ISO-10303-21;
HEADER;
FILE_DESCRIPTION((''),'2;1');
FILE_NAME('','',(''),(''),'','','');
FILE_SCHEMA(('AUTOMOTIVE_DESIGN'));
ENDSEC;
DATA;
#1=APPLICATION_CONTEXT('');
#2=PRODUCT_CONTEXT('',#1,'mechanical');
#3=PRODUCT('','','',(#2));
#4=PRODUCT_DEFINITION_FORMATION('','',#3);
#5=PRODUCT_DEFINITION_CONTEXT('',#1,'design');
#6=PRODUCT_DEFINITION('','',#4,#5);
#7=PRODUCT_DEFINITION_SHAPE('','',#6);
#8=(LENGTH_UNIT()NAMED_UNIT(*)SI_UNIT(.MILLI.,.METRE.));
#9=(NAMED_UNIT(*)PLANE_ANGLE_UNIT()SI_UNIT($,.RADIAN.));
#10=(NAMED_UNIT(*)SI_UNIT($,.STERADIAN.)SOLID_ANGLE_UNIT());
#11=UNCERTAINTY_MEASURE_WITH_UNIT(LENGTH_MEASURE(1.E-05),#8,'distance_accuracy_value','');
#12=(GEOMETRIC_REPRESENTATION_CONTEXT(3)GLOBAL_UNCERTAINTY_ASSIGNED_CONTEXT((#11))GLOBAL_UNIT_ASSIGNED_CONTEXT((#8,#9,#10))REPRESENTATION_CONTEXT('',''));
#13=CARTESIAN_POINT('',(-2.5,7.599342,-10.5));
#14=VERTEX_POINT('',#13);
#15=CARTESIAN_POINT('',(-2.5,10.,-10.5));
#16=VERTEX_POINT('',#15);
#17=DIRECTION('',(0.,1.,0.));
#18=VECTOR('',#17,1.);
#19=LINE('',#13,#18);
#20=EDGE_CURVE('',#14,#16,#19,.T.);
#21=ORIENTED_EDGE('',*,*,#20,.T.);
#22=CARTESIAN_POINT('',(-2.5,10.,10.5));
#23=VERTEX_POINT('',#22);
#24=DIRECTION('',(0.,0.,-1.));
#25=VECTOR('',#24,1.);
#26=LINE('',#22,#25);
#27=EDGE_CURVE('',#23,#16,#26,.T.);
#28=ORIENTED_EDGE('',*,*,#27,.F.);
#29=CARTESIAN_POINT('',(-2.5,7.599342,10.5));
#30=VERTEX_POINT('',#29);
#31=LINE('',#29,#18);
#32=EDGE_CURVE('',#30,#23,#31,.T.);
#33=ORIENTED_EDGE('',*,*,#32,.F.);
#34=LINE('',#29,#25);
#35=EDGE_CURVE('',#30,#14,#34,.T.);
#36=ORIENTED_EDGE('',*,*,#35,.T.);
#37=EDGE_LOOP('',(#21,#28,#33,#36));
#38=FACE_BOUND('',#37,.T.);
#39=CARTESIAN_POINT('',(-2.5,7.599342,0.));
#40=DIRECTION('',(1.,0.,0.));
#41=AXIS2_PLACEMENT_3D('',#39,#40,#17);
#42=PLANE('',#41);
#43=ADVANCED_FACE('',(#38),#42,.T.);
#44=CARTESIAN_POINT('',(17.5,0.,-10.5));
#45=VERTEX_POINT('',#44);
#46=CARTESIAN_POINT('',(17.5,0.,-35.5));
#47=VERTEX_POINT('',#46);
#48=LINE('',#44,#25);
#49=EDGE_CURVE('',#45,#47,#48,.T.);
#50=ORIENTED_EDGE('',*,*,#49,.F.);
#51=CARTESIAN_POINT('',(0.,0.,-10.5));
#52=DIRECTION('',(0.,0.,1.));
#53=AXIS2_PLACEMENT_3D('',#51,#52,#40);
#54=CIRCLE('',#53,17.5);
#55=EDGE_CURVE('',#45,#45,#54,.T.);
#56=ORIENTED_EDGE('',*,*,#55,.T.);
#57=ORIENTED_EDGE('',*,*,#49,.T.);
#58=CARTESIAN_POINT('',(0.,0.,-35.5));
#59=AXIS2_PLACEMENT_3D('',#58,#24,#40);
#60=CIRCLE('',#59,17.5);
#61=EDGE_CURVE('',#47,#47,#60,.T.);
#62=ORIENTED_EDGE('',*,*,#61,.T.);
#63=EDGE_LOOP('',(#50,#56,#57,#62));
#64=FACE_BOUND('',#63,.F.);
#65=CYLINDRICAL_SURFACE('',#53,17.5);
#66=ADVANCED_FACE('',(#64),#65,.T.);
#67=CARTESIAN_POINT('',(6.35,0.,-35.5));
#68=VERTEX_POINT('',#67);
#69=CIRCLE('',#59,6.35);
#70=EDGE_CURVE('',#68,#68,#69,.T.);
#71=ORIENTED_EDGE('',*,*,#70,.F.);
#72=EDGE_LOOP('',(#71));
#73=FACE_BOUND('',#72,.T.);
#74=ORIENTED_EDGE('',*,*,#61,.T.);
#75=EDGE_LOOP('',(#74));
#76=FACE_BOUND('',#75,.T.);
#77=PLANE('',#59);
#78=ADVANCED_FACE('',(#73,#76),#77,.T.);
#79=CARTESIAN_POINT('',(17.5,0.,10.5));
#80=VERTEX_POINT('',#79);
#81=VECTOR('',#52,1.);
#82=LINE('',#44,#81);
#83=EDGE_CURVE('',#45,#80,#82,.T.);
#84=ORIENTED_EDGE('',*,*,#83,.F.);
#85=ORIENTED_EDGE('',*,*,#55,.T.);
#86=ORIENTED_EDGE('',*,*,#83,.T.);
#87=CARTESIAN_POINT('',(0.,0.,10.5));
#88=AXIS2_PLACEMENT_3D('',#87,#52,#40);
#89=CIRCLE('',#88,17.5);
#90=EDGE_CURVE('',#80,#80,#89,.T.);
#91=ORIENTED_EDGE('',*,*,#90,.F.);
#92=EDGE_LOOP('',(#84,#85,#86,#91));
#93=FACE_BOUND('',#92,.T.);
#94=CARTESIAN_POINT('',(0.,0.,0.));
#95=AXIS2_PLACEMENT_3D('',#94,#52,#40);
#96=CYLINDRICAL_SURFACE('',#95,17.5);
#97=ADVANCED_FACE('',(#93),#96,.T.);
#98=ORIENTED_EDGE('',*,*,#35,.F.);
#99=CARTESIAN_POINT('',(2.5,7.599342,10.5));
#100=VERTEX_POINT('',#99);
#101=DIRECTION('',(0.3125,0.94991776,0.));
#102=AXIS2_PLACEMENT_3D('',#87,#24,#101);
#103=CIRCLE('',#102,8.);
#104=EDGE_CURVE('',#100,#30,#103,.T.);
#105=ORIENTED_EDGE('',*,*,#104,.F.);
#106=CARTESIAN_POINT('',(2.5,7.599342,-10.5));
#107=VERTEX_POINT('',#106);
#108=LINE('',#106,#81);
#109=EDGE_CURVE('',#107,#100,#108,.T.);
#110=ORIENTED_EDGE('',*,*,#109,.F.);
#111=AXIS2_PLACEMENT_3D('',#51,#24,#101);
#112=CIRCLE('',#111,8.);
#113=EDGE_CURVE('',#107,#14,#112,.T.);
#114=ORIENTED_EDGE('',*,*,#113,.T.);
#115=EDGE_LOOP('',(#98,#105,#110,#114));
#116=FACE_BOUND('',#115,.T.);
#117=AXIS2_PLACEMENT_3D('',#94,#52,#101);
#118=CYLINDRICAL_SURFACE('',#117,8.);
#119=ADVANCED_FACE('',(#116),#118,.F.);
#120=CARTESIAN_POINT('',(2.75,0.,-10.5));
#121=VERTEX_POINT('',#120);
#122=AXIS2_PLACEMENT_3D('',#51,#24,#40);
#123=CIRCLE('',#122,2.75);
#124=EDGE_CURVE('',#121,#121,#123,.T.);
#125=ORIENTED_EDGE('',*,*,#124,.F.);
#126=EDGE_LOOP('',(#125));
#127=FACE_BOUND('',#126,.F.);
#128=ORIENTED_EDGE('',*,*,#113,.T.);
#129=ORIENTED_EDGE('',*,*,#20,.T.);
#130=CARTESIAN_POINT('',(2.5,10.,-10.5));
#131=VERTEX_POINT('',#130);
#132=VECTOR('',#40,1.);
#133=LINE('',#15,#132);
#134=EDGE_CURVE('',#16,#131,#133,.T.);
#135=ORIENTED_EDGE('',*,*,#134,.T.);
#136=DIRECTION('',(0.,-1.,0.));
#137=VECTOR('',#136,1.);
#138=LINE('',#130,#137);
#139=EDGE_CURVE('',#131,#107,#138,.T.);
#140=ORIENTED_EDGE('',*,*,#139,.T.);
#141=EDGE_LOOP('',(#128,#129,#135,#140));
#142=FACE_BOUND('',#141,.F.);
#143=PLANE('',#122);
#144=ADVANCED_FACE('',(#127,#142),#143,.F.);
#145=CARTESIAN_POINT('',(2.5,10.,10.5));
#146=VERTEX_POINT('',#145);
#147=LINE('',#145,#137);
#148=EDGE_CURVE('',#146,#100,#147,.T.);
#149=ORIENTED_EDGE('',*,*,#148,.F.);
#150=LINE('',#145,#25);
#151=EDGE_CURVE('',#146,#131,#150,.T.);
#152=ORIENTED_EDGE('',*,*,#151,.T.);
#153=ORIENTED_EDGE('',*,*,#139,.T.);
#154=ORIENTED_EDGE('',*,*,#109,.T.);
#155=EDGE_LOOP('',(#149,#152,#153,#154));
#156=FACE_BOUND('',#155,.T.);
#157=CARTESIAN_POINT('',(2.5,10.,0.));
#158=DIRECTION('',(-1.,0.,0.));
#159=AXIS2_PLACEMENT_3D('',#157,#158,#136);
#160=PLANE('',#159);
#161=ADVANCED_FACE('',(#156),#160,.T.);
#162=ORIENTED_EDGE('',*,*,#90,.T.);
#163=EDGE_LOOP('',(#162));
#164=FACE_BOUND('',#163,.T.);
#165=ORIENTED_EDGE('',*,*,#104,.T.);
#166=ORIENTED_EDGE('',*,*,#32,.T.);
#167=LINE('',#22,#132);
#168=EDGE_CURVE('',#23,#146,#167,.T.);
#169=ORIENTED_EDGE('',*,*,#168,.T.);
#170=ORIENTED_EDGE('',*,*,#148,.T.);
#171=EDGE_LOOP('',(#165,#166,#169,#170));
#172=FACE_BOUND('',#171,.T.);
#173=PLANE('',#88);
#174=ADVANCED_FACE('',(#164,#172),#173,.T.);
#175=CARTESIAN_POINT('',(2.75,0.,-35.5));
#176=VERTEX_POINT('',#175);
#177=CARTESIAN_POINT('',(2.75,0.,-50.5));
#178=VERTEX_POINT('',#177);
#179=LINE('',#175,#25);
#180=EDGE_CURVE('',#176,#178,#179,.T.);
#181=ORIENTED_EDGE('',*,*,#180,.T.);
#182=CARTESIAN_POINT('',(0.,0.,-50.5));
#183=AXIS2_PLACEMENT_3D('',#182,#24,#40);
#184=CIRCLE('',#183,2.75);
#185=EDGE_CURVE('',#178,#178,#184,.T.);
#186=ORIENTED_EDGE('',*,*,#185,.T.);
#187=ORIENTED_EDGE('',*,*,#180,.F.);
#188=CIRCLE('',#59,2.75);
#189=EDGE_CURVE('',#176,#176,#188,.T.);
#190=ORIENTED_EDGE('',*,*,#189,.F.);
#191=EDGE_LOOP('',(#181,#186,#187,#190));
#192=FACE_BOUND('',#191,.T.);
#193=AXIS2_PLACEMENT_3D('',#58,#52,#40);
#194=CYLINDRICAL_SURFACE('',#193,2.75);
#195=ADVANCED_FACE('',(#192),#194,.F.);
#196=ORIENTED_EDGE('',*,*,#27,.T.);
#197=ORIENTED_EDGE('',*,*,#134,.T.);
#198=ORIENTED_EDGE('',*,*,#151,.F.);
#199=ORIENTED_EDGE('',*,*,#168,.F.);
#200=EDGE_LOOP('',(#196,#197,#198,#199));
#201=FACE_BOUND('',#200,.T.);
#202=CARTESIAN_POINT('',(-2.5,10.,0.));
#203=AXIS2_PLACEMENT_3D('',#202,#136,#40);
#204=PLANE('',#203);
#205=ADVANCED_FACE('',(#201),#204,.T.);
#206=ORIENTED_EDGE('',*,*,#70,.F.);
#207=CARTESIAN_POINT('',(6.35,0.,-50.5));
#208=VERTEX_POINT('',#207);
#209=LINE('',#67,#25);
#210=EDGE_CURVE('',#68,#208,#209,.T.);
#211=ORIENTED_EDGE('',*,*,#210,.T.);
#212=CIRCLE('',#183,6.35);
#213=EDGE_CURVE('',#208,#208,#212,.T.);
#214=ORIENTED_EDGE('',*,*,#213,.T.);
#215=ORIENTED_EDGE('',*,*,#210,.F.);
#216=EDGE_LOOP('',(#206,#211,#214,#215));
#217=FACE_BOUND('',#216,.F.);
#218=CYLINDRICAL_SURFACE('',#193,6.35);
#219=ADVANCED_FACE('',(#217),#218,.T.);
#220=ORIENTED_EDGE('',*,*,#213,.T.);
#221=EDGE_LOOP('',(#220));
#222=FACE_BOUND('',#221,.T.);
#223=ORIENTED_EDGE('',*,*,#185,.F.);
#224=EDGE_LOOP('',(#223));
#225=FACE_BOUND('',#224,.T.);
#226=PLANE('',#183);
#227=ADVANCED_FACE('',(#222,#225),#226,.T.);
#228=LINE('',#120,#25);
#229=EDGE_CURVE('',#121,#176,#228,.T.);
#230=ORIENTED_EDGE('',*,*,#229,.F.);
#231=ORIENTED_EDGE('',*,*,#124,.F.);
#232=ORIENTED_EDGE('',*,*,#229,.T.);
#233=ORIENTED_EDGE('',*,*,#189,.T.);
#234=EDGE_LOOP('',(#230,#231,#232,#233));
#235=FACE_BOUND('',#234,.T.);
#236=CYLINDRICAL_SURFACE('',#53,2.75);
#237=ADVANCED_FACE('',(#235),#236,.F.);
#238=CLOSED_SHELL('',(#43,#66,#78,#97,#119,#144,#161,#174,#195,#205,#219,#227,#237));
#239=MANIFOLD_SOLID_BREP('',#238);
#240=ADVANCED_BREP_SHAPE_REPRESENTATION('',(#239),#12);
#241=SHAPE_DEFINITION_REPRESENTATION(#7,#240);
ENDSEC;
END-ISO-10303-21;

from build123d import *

# Parameters (mm, degrees)
F0_R     = 17.5
F1_DEPTH = 10.5
F2_R     = 17.5
F2_R_2   = 2.75
F3_DEPTH = 25
F4_R     = 6.35
F4_R_2   = 2.75
F5_DEPTH = 15


with BuildPart() as f1:
    # F0 (on Top) → F1 (new body, symmetric)
    with BuildSketch(Plane.XY):
        Circle(F0_R)
        with BuildLine():
            ThreePointArc((2.5, 7.5993420768), (0, -8), (-2.5, 7.5993420768))
            Line((-2.5, 7.5993420768), (-2.5, 10))
            Line((-2.5, 10), (2.5, 10))
            Line((2.5, 10), (2.5, 7.5993420768))
        make_face(mode=Mode.SUBTRACT)
    extrude(amount=F1_DEPTH, both=True)

    # F2 (on face) → F3 (join)
    with BuildSketch(Plane(origin=(0, 0, -10.5), x_dir=(1, 0, 0), z_dir=(0, 0, -1))):
        Circle(F2_R)
        with BuildLine():
            Line((-2.5, -10), (-2.5, -7.5993420768))
            ThreePointArc((-2.5, -7.5993420768), (0, 8), (2.5, -7.5993420768))
            Line((2.5, -7.5993420768), (2.5, -10))
            Line((2.5, -10), (-2.5, -10))
        make_face(mode=Mode.SUBTRACT)
        with BuildLine():
            ThreePointArc((2.5, -7.5993420768), (0, 8), (-2.5, -7.5993420768))
            Line((-2.5, -7.5993420768), (-2.5, -10))
            Line((-2.5, -10), (2.5, -10))
            Line((2.5, -10), (2.5, -7.5993420768))
        make_face()
        Circle(F2_R_2, mode=Mode.SUBTRACT)
    extrude(amount=F3_DEPTH)

    # F4 (on face) → F5 (join)
    with BuildSketch(Plane(origin=(0, 0, -35.5), x_dir=(1, 0, 0), z_dir=(0, 0, -1))):
        Circle(F4_R)
        Circle(F4_R_2, mode=Mode.SUBTRACT)
    extrude(amount=F5_DEPTH)


solid = f1.part
